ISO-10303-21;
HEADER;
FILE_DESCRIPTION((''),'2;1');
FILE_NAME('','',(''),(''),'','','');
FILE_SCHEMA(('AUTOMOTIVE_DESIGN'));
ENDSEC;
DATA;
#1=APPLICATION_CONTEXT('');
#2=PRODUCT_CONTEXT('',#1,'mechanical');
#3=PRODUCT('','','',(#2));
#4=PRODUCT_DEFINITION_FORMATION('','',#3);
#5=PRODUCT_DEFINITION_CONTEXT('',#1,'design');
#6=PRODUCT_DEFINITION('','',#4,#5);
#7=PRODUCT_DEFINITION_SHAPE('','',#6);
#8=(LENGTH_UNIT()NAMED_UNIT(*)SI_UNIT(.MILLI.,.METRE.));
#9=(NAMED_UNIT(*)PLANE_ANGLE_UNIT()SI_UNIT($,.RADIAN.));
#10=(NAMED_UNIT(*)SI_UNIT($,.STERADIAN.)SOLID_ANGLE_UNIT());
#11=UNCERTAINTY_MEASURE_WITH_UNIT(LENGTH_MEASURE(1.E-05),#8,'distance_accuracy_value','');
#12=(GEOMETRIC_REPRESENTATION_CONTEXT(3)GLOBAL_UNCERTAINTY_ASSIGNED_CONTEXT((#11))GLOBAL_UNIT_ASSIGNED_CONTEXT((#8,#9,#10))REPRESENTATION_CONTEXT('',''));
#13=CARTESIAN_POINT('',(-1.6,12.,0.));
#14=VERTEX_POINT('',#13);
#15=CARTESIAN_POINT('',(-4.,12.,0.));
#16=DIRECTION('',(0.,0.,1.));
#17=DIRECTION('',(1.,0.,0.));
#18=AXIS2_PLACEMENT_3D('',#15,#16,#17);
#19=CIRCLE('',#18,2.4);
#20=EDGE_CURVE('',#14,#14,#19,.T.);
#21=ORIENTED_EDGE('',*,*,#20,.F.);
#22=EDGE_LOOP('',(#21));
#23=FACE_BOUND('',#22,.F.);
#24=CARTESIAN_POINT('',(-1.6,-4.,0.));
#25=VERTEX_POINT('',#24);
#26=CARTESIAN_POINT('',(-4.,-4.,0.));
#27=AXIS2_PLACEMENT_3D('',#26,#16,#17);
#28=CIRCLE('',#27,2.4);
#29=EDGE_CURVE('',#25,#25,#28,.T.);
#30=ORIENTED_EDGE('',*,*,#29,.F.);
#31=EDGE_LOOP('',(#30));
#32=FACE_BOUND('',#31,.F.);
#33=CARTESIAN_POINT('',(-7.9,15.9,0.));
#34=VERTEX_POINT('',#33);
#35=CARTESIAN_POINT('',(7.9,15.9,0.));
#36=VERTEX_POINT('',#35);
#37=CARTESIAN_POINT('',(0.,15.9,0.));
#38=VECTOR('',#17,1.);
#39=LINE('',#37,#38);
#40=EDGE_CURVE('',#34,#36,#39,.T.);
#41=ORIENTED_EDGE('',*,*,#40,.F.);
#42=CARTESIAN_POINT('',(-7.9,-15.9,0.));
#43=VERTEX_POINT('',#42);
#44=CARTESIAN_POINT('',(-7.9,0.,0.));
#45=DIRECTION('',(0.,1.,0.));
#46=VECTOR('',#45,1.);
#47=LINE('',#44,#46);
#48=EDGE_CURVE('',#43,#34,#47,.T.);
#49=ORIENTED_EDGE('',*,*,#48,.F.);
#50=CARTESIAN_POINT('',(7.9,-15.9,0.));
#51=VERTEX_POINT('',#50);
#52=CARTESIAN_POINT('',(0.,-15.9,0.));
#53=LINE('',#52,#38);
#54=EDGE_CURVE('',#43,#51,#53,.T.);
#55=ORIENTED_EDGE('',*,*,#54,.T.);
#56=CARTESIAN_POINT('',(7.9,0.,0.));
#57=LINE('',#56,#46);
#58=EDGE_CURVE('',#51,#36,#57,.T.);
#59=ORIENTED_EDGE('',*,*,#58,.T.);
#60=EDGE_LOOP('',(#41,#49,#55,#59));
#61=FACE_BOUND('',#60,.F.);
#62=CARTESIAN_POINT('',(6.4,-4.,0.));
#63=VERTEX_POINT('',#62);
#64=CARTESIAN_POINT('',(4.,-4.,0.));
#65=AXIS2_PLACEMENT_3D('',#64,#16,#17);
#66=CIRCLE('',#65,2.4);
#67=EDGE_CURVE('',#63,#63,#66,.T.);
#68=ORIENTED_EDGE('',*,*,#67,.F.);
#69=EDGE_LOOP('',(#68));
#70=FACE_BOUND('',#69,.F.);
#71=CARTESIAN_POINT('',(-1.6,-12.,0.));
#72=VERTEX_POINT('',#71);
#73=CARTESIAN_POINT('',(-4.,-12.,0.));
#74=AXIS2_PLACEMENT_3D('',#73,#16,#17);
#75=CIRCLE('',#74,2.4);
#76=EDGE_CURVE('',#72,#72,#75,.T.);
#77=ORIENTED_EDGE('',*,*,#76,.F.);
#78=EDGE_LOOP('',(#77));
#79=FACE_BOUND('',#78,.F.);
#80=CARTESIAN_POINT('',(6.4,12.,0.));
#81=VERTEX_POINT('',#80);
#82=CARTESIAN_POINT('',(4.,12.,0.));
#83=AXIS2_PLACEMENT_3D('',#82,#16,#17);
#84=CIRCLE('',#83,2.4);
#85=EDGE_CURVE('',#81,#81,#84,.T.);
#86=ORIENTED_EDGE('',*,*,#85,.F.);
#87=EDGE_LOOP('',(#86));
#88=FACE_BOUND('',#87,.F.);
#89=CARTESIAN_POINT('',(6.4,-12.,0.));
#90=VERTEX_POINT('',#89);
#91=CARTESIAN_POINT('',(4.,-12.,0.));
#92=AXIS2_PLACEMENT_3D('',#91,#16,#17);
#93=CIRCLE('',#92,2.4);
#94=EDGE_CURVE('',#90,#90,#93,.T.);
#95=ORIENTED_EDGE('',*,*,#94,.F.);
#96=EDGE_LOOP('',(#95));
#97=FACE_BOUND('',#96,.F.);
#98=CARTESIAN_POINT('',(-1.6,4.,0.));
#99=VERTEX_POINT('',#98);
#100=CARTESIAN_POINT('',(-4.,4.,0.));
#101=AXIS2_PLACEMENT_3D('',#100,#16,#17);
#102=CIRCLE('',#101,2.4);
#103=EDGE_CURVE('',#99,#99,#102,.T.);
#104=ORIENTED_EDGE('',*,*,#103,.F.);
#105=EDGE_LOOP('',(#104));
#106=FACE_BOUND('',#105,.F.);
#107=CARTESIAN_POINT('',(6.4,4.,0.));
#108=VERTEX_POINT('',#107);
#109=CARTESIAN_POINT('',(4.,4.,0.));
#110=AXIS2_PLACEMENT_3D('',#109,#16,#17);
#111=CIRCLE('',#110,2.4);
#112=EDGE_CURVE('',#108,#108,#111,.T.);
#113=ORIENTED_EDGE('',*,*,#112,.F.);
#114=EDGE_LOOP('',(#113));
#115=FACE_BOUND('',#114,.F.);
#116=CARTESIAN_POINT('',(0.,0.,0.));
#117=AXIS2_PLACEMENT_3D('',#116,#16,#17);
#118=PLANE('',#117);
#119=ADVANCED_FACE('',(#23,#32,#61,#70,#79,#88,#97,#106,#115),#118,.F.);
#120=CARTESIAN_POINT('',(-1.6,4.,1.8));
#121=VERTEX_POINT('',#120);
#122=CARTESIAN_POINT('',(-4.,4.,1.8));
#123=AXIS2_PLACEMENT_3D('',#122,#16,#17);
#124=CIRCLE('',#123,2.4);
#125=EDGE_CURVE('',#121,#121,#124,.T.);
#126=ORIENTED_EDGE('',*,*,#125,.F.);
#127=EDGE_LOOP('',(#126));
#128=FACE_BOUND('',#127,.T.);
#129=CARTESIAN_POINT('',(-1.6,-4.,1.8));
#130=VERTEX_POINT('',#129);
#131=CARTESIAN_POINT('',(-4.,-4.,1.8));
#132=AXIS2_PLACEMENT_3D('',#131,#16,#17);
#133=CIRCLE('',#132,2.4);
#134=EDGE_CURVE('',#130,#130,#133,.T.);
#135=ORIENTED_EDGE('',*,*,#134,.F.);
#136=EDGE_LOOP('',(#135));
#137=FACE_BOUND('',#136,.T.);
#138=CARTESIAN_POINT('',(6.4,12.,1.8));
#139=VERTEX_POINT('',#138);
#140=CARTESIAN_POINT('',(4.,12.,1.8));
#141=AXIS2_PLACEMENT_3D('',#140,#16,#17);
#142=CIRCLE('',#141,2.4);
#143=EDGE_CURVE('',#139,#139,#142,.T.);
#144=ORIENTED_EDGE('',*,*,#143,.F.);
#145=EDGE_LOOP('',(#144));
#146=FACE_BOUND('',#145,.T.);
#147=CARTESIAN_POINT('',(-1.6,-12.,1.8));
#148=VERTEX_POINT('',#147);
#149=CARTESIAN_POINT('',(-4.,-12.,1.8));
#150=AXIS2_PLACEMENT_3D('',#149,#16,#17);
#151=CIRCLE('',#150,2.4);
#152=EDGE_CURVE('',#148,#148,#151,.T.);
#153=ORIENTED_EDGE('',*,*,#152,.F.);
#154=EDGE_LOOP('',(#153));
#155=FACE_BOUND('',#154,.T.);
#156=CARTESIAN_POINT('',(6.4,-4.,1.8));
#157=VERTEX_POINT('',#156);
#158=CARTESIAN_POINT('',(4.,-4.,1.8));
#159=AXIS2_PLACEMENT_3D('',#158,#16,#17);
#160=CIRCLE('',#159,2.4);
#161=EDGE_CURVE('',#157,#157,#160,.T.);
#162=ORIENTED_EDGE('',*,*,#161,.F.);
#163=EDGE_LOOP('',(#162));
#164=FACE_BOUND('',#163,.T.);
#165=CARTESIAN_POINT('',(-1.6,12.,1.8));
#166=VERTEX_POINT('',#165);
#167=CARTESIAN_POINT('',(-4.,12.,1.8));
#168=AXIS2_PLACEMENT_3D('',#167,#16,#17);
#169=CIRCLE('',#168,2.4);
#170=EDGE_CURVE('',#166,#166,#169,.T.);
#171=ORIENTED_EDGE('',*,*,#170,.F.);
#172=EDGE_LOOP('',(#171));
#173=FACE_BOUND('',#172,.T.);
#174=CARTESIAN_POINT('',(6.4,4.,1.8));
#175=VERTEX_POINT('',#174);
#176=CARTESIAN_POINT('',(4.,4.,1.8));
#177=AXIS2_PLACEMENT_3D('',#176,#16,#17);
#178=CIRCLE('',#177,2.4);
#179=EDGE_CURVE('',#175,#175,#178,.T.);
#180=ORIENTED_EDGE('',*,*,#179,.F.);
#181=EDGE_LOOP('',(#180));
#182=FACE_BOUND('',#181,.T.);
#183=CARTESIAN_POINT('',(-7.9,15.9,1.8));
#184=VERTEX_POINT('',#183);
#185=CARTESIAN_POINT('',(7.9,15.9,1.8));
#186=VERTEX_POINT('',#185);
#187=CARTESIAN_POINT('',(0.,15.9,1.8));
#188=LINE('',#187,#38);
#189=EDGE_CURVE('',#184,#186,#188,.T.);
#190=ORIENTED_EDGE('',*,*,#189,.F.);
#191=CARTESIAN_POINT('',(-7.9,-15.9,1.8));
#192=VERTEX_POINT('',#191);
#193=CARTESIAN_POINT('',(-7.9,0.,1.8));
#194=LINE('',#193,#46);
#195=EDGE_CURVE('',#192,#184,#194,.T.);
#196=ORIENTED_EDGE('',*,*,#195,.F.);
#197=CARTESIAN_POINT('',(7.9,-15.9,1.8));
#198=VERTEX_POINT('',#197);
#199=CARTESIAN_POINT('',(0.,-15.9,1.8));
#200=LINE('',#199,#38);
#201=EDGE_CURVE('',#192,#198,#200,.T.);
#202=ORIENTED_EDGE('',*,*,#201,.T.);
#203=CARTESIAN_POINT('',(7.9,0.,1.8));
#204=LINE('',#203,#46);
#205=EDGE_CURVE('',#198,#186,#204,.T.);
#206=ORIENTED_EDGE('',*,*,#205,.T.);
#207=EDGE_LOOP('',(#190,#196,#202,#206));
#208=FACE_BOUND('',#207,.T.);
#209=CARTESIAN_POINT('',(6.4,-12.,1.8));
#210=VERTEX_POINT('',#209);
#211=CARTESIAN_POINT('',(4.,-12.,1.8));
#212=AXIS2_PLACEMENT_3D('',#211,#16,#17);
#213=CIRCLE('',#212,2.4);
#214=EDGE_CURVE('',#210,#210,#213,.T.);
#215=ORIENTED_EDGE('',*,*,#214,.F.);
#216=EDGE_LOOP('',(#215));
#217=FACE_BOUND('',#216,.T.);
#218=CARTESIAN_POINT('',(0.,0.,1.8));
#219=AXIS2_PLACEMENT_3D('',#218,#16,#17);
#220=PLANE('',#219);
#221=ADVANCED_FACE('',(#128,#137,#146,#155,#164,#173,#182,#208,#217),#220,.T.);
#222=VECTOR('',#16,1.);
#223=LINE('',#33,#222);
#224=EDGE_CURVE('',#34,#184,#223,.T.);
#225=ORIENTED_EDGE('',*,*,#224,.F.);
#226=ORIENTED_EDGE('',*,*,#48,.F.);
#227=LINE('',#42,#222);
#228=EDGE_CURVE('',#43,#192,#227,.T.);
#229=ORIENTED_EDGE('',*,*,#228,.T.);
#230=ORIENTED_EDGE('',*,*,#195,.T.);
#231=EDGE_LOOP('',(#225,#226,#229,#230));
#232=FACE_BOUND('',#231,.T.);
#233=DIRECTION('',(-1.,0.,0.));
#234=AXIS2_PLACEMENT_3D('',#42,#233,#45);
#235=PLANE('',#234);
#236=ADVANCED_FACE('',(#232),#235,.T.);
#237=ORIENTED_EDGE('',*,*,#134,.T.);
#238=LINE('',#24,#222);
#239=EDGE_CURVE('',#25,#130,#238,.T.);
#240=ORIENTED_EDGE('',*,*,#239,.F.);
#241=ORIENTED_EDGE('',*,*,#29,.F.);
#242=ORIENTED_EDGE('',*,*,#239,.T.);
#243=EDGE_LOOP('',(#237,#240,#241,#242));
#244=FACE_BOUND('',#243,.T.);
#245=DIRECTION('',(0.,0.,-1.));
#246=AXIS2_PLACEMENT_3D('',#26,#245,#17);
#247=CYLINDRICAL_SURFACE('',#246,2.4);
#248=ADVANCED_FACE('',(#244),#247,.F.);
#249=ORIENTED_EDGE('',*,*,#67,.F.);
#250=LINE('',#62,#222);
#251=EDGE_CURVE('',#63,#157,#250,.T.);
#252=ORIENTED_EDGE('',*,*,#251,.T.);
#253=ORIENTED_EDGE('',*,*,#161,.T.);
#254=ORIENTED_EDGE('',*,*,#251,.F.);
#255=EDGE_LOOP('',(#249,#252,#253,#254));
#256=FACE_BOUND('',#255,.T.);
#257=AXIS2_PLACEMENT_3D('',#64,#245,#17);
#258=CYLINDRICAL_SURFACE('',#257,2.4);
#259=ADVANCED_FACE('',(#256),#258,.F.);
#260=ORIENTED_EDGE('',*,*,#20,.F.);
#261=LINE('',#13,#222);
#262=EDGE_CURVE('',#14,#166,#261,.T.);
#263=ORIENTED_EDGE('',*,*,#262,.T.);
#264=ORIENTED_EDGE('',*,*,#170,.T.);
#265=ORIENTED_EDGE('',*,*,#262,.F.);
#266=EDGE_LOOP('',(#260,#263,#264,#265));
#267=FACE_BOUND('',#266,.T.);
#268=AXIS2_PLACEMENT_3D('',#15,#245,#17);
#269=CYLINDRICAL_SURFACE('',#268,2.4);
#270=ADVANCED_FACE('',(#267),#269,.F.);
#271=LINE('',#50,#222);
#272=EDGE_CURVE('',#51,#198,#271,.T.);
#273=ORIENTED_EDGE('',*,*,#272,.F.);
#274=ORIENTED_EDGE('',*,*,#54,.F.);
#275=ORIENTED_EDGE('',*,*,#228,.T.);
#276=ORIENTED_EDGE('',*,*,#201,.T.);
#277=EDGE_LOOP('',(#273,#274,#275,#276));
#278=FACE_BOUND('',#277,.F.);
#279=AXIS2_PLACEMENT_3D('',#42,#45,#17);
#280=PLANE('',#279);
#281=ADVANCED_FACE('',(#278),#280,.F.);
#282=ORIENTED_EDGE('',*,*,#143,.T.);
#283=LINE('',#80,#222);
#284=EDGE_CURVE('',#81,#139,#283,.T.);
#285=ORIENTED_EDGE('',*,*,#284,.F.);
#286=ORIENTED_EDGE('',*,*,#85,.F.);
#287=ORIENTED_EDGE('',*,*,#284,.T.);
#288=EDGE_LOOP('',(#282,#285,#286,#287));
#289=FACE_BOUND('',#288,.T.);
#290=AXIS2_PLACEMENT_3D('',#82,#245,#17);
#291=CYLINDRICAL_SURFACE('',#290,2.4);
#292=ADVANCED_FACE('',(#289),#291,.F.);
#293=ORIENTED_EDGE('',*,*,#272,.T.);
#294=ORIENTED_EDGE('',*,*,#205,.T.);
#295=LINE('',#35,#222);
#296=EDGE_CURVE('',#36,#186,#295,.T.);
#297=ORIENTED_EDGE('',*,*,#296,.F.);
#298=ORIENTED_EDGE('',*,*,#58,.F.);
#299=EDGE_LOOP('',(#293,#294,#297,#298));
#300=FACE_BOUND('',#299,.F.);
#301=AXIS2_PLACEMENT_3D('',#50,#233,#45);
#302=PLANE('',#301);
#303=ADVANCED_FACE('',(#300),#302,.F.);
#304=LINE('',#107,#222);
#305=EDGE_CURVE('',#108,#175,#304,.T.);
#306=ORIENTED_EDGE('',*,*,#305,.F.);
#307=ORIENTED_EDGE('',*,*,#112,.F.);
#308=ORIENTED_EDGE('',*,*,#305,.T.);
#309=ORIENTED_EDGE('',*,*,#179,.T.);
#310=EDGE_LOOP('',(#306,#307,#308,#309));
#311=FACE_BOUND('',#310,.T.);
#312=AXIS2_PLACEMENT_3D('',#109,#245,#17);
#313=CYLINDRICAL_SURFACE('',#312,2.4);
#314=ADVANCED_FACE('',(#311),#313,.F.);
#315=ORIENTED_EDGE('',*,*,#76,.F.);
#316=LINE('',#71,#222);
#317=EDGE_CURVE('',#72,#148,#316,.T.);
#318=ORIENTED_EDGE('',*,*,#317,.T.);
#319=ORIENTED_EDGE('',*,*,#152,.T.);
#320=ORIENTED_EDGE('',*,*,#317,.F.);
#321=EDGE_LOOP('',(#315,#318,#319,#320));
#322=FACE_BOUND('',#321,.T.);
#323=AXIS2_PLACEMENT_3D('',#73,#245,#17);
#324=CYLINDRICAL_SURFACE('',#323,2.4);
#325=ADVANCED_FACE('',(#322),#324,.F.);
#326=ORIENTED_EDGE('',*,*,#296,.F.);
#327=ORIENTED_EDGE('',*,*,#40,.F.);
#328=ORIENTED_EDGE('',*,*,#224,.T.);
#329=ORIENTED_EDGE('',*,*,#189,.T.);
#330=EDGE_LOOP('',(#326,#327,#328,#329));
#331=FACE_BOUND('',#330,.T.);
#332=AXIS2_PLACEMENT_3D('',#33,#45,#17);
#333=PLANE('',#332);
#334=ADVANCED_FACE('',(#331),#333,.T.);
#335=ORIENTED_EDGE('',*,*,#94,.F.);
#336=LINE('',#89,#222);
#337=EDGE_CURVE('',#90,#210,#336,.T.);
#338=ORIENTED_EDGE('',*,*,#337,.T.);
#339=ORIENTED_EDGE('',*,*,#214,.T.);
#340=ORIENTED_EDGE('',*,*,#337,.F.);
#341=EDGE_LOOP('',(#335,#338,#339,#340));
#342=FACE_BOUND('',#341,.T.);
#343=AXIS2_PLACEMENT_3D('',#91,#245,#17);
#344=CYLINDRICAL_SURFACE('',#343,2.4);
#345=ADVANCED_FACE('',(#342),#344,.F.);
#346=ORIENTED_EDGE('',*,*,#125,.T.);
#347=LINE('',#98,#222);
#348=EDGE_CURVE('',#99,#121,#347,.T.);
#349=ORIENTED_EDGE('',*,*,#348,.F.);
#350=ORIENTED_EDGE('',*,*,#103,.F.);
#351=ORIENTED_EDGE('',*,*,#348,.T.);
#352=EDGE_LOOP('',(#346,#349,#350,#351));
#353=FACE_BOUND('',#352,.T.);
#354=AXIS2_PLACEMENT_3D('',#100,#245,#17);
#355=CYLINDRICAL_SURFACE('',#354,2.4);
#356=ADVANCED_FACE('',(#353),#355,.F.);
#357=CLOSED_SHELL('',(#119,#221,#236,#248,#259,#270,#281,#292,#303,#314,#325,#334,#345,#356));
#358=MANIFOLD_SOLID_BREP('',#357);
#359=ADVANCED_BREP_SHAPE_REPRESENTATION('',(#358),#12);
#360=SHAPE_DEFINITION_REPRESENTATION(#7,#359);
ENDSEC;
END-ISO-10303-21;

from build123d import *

# Parameters (mm, degrees)
F0_W     = 15.8
F0_H     = 31.8
F0_R     = 2.4
F1_DEPTH = 1.8


with BuildPart() as f1:
    # F0 (on Top) → F1 (new body)
    with BuildSketch(Plane.XY):
        Rectangle(F0_W, F0_H)
        with Locations((-4, -12)):
            Circle(F0_R, mode=Mode.SUBTRACT)
        with Locations((-4, -4)):
            Circle(F0_R, mode=Mode.SUBTRACT)
        with Locations((4, -12)):
            Circle(F0_R, mode=Mode.SUBTRACT)
        with Locations((4, -4)):
            Circle(F0_R, mode=Mode.SUBTRACT)
        with Locations((-4, 4)):
            Circle(F0_R, mode=Mode.SUBTRACT)
        with Locations((-4, 12)):
            Circle(F0_R, mode=Mode.SUBTRACT)
        with Locations((4, 4)):
            Circle(F0_R, mode=Mode.SUBTRACT)
        with Locations((4, 12)):
            Circle(F0_R, mode=Mode.SUBTRACT)
    extrude(amount=F1_DEPTH)


solid = f1.part
